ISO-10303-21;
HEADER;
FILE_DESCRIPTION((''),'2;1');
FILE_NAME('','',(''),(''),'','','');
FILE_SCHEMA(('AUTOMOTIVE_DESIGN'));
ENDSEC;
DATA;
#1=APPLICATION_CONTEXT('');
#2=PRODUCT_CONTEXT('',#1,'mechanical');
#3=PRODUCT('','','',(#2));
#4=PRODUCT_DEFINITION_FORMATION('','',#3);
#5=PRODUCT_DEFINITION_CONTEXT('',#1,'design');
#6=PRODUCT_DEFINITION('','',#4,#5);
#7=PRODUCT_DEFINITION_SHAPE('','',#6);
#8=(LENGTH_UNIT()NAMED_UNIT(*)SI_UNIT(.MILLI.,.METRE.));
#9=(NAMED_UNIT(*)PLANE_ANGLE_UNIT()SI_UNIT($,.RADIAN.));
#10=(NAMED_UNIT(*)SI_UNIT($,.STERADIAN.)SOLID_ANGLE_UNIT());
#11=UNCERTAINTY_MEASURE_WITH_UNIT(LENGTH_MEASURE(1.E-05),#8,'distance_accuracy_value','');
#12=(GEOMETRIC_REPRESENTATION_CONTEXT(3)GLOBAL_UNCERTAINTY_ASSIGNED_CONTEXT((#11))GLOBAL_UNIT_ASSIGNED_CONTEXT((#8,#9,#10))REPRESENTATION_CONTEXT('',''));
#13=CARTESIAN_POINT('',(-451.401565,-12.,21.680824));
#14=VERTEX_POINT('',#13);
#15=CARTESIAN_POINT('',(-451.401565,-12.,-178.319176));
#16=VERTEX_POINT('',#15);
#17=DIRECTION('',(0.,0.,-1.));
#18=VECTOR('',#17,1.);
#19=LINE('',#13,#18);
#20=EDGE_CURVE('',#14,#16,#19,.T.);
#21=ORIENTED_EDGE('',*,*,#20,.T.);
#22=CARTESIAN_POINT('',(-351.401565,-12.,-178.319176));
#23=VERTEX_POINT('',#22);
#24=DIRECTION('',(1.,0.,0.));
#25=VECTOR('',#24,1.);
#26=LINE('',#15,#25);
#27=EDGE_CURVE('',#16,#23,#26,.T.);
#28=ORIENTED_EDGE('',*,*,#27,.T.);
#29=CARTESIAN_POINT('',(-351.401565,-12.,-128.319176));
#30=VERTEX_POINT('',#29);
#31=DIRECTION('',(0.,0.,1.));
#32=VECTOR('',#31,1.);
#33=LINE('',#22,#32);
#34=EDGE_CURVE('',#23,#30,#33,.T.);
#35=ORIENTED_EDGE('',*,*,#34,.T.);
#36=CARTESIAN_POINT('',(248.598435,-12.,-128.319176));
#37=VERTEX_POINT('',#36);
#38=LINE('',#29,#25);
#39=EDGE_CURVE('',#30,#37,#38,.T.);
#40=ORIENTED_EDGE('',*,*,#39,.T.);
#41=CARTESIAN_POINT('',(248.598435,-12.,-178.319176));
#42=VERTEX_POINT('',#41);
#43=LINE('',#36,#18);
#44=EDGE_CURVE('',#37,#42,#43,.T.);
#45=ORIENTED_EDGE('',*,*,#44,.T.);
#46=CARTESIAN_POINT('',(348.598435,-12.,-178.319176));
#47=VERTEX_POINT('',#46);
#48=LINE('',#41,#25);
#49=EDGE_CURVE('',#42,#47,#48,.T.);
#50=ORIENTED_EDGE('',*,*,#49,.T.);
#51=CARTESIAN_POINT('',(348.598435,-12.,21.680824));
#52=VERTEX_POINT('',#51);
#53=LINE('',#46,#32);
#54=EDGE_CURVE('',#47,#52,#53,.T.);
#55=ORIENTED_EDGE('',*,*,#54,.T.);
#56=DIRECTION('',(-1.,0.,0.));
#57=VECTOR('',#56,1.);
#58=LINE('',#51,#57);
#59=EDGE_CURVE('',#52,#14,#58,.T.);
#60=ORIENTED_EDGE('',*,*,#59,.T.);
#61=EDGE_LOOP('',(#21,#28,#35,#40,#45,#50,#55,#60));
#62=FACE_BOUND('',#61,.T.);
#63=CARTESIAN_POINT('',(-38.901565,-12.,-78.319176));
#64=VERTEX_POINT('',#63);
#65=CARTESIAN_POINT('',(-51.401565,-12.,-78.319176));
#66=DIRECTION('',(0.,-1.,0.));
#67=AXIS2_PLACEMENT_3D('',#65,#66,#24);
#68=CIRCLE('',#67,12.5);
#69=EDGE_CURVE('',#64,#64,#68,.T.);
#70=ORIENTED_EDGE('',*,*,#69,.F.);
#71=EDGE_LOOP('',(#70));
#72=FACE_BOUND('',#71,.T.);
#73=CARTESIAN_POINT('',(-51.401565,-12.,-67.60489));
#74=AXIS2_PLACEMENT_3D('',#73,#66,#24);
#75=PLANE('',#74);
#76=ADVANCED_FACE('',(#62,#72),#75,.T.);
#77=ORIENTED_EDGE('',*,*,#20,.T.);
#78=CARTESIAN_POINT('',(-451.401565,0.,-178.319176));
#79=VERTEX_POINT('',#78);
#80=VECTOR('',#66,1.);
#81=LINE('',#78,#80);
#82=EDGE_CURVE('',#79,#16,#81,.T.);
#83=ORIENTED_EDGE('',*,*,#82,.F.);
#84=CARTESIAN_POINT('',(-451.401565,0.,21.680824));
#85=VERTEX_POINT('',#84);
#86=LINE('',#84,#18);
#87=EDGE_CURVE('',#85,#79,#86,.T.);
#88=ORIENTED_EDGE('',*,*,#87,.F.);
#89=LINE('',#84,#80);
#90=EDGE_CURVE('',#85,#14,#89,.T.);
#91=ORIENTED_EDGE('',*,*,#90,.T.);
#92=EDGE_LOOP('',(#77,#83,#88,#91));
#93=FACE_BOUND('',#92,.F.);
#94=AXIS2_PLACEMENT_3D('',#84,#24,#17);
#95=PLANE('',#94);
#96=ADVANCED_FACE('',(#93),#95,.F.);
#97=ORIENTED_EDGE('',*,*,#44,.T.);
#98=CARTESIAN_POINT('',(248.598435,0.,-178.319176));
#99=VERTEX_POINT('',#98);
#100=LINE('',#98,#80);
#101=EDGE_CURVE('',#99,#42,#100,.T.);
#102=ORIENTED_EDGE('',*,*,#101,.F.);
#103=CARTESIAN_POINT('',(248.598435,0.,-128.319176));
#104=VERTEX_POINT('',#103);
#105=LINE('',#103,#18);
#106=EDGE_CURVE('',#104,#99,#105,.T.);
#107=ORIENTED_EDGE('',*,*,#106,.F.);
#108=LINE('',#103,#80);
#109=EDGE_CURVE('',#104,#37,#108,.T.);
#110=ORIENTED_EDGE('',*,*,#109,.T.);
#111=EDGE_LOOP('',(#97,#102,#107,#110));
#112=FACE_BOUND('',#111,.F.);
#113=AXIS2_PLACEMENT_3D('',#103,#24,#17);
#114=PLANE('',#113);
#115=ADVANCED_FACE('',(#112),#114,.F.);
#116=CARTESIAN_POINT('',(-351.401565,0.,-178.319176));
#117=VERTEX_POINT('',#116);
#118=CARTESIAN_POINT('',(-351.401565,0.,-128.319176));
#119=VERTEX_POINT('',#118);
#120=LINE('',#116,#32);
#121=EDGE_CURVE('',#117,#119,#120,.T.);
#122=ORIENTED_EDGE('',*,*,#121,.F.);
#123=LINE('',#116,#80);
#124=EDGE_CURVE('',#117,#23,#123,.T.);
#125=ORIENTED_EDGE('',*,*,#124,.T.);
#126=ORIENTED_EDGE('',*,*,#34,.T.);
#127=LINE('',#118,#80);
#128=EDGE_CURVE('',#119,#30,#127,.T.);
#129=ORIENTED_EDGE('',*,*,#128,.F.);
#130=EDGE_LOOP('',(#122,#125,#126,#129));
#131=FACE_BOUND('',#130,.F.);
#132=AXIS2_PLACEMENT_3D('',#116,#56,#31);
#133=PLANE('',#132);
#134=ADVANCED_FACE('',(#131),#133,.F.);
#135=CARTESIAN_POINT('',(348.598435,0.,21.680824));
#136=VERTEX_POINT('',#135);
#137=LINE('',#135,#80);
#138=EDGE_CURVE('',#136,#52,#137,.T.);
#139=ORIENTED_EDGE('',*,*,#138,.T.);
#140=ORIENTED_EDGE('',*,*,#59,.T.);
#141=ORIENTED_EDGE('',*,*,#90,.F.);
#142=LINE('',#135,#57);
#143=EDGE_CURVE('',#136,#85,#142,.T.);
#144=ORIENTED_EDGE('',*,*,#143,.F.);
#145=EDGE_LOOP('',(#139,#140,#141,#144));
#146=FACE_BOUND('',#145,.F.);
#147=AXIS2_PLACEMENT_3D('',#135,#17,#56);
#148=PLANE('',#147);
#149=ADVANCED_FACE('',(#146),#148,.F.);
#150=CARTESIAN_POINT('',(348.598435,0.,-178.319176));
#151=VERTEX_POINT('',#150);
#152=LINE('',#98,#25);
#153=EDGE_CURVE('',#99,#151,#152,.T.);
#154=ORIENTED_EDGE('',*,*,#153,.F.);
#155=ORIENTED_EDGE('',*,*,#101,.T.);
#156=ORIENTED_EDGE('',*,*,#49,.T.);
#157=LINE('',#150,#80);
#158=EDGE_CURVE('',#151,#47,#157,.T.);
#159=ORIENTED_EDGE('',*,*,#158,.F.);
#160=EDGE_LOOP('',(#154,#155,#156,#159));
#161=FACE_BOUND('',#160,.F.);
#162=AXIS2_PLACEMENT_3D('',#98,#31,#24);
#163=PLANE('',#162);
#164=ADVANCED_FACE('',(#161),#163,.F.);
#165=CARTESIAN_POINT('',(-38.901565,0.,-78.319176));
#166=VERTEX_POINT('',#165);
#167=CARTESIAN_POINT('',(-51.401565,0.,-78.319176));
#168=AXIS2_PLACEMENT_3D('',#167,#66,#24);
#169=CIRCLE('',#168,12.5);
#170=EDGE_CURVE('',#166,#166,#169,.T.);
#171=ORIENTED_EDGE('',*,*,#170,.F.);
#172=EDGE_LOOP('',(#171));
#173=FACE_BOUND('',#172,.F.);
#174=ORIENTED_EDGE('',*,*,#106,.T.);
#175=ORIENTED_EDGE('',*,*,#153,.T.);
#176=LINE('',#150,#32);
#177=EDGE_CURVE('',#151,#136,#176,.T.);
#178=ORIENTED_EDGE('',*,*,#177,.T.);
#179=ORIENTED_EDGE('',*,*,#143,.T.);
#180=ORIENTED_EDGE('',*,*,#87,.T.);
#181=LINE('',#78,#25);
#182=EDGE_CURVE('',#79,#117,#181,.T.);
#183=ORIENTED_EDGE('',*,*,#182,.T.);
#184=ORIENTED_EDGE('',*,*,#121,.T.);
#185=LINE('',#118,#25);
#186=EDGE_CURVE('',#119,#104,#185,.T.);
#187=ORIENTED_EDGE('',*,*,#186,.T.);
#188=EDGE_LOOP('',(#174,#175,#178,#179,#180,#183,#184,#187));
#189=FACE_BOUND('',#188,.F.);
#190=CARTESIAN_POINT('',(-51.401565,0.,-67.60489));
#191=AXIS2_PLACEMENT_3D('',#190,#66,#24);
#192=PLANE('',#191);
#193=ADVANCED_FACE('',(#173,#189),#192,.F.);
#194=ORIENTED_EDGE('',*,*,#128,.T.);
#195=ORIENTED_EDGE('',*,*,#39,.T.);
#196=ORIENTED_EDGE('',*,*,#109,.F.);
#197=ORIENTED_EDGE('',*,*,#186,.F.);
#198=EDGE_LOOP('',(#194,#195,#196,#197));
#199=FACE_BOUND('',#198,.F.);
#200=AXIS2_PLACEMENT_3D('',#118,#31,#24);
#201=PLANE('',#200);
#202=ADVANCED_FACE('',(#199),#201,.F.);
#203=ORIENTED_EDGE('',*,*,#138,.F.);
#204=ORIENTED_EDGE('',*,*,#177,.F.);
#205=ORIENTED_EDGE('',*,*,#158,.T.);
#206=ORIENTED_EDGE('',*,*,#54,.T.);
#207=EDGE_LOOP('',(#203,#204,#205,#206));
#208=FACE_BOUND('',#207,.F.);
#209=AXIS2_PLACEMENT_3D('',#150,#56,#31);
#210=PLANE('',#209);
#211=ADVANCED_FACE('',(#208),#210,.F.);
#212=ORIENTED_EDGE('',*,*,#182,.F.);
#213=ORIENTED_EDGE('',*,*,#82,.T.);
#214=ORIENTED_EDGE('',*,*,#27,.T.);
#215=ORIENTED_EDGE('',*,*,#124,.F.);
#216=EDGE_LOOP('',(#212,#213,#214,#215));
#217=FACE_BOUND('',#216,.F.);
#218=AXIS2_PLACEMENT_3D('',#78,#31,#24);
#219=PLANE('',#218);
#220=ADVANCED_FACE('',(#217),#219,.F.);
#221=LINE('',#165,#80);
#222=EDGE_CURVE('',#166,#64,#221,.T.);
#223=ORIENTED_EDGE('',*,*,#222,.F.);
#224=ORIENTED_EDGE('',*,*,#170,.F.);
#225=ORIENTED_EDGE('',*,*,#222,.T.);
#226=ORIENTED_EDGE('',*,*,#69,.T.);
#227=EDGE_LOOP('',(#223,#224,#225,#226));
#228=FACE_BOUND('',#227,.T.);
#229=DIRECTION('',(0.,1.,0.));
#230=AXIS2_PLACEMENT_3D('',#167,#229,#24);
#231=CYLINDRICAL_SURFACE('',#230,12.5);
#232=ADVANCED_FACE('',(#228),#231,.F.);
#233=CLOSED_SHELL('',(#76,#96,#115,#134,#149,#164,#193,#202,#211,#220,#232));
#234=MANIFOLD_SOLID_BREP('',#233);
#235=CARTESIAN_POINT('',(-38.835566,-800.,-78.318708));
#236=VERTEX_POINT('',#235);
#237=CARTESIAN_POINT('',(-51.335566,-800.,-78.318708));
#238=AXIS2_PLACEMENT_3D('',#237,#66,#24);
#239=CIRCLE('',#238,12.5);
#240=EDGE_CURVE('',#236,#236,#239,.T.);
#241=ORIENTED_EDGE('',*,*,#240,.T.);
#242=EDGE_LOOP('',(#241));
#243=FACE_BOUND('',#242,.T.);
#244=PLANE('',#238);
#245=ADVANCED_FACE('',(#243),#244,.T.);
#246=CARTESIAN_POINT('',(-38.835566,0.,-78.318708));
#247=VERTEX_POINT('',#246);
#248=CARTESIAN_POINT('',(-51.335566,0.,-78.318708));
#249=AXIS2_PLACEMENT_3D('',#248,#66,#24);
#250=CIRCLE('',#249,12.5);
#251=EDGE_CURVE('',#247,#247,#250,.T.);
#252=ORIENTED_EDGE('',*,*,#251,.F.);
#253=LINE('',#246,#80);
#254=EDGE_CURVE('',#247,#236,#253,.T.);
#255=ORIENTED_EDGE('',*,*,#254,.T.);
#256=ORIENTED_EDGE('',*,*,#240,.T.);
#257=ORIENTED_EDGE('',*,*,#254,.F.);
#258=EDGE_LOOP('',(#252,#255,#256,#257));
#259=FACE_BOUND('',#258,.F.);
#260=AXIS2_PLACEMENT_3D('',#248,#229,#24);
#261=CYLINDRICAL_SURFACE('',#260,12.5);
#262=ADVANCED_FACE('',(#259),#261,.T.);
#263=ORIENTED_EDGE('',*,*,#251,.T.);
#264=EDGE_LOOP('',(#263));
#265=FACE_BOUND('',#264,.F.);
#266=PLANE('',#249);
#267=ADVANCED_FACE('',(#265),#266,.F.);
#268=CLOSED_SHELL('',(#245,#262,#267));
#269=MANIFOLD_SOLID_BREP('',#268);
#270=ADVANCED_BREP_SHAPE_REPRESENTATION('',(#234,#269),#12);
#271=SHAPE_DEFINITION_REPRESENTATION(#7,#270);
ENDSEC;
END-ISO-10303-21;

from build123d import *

# Parameters (mm, degrees)
F0_R     = 12.5
F2_DEPTH = 12
F1_R     = 12.5
F3_DEPTH = 800


with BuildPart() as f2:
    # F0 (on Front) → F2 (new body)
    with BuildSketch(Plane.XZ):
        Polygon((348.598435, 21.680824), (-451.401565, 21.680824), (-451.401565, -178.319176), (-351.401565, -178.319176), (-351.401565, -128.319176), (248.598435, -128.319176), (248.598435, -178.319176), (348.598435, -178.319176), align=None)
        with Locations((-51.401565, -78.319176)):
            Circle(F0_R, mode=Mode.SUBTRACT)
    extrude(amount=F2_DEPTH)


with BuildPart() as f3:
    # F1 (on Front) → F3 (new body)
    with BuildSketch(Plane.XZ):
        with Locations((-51.335566, -78.318708)):
            Circle(F1_R)
    extrude(amount=F3_DEPTH)


solid = Compound([f2.part, f3.part])
